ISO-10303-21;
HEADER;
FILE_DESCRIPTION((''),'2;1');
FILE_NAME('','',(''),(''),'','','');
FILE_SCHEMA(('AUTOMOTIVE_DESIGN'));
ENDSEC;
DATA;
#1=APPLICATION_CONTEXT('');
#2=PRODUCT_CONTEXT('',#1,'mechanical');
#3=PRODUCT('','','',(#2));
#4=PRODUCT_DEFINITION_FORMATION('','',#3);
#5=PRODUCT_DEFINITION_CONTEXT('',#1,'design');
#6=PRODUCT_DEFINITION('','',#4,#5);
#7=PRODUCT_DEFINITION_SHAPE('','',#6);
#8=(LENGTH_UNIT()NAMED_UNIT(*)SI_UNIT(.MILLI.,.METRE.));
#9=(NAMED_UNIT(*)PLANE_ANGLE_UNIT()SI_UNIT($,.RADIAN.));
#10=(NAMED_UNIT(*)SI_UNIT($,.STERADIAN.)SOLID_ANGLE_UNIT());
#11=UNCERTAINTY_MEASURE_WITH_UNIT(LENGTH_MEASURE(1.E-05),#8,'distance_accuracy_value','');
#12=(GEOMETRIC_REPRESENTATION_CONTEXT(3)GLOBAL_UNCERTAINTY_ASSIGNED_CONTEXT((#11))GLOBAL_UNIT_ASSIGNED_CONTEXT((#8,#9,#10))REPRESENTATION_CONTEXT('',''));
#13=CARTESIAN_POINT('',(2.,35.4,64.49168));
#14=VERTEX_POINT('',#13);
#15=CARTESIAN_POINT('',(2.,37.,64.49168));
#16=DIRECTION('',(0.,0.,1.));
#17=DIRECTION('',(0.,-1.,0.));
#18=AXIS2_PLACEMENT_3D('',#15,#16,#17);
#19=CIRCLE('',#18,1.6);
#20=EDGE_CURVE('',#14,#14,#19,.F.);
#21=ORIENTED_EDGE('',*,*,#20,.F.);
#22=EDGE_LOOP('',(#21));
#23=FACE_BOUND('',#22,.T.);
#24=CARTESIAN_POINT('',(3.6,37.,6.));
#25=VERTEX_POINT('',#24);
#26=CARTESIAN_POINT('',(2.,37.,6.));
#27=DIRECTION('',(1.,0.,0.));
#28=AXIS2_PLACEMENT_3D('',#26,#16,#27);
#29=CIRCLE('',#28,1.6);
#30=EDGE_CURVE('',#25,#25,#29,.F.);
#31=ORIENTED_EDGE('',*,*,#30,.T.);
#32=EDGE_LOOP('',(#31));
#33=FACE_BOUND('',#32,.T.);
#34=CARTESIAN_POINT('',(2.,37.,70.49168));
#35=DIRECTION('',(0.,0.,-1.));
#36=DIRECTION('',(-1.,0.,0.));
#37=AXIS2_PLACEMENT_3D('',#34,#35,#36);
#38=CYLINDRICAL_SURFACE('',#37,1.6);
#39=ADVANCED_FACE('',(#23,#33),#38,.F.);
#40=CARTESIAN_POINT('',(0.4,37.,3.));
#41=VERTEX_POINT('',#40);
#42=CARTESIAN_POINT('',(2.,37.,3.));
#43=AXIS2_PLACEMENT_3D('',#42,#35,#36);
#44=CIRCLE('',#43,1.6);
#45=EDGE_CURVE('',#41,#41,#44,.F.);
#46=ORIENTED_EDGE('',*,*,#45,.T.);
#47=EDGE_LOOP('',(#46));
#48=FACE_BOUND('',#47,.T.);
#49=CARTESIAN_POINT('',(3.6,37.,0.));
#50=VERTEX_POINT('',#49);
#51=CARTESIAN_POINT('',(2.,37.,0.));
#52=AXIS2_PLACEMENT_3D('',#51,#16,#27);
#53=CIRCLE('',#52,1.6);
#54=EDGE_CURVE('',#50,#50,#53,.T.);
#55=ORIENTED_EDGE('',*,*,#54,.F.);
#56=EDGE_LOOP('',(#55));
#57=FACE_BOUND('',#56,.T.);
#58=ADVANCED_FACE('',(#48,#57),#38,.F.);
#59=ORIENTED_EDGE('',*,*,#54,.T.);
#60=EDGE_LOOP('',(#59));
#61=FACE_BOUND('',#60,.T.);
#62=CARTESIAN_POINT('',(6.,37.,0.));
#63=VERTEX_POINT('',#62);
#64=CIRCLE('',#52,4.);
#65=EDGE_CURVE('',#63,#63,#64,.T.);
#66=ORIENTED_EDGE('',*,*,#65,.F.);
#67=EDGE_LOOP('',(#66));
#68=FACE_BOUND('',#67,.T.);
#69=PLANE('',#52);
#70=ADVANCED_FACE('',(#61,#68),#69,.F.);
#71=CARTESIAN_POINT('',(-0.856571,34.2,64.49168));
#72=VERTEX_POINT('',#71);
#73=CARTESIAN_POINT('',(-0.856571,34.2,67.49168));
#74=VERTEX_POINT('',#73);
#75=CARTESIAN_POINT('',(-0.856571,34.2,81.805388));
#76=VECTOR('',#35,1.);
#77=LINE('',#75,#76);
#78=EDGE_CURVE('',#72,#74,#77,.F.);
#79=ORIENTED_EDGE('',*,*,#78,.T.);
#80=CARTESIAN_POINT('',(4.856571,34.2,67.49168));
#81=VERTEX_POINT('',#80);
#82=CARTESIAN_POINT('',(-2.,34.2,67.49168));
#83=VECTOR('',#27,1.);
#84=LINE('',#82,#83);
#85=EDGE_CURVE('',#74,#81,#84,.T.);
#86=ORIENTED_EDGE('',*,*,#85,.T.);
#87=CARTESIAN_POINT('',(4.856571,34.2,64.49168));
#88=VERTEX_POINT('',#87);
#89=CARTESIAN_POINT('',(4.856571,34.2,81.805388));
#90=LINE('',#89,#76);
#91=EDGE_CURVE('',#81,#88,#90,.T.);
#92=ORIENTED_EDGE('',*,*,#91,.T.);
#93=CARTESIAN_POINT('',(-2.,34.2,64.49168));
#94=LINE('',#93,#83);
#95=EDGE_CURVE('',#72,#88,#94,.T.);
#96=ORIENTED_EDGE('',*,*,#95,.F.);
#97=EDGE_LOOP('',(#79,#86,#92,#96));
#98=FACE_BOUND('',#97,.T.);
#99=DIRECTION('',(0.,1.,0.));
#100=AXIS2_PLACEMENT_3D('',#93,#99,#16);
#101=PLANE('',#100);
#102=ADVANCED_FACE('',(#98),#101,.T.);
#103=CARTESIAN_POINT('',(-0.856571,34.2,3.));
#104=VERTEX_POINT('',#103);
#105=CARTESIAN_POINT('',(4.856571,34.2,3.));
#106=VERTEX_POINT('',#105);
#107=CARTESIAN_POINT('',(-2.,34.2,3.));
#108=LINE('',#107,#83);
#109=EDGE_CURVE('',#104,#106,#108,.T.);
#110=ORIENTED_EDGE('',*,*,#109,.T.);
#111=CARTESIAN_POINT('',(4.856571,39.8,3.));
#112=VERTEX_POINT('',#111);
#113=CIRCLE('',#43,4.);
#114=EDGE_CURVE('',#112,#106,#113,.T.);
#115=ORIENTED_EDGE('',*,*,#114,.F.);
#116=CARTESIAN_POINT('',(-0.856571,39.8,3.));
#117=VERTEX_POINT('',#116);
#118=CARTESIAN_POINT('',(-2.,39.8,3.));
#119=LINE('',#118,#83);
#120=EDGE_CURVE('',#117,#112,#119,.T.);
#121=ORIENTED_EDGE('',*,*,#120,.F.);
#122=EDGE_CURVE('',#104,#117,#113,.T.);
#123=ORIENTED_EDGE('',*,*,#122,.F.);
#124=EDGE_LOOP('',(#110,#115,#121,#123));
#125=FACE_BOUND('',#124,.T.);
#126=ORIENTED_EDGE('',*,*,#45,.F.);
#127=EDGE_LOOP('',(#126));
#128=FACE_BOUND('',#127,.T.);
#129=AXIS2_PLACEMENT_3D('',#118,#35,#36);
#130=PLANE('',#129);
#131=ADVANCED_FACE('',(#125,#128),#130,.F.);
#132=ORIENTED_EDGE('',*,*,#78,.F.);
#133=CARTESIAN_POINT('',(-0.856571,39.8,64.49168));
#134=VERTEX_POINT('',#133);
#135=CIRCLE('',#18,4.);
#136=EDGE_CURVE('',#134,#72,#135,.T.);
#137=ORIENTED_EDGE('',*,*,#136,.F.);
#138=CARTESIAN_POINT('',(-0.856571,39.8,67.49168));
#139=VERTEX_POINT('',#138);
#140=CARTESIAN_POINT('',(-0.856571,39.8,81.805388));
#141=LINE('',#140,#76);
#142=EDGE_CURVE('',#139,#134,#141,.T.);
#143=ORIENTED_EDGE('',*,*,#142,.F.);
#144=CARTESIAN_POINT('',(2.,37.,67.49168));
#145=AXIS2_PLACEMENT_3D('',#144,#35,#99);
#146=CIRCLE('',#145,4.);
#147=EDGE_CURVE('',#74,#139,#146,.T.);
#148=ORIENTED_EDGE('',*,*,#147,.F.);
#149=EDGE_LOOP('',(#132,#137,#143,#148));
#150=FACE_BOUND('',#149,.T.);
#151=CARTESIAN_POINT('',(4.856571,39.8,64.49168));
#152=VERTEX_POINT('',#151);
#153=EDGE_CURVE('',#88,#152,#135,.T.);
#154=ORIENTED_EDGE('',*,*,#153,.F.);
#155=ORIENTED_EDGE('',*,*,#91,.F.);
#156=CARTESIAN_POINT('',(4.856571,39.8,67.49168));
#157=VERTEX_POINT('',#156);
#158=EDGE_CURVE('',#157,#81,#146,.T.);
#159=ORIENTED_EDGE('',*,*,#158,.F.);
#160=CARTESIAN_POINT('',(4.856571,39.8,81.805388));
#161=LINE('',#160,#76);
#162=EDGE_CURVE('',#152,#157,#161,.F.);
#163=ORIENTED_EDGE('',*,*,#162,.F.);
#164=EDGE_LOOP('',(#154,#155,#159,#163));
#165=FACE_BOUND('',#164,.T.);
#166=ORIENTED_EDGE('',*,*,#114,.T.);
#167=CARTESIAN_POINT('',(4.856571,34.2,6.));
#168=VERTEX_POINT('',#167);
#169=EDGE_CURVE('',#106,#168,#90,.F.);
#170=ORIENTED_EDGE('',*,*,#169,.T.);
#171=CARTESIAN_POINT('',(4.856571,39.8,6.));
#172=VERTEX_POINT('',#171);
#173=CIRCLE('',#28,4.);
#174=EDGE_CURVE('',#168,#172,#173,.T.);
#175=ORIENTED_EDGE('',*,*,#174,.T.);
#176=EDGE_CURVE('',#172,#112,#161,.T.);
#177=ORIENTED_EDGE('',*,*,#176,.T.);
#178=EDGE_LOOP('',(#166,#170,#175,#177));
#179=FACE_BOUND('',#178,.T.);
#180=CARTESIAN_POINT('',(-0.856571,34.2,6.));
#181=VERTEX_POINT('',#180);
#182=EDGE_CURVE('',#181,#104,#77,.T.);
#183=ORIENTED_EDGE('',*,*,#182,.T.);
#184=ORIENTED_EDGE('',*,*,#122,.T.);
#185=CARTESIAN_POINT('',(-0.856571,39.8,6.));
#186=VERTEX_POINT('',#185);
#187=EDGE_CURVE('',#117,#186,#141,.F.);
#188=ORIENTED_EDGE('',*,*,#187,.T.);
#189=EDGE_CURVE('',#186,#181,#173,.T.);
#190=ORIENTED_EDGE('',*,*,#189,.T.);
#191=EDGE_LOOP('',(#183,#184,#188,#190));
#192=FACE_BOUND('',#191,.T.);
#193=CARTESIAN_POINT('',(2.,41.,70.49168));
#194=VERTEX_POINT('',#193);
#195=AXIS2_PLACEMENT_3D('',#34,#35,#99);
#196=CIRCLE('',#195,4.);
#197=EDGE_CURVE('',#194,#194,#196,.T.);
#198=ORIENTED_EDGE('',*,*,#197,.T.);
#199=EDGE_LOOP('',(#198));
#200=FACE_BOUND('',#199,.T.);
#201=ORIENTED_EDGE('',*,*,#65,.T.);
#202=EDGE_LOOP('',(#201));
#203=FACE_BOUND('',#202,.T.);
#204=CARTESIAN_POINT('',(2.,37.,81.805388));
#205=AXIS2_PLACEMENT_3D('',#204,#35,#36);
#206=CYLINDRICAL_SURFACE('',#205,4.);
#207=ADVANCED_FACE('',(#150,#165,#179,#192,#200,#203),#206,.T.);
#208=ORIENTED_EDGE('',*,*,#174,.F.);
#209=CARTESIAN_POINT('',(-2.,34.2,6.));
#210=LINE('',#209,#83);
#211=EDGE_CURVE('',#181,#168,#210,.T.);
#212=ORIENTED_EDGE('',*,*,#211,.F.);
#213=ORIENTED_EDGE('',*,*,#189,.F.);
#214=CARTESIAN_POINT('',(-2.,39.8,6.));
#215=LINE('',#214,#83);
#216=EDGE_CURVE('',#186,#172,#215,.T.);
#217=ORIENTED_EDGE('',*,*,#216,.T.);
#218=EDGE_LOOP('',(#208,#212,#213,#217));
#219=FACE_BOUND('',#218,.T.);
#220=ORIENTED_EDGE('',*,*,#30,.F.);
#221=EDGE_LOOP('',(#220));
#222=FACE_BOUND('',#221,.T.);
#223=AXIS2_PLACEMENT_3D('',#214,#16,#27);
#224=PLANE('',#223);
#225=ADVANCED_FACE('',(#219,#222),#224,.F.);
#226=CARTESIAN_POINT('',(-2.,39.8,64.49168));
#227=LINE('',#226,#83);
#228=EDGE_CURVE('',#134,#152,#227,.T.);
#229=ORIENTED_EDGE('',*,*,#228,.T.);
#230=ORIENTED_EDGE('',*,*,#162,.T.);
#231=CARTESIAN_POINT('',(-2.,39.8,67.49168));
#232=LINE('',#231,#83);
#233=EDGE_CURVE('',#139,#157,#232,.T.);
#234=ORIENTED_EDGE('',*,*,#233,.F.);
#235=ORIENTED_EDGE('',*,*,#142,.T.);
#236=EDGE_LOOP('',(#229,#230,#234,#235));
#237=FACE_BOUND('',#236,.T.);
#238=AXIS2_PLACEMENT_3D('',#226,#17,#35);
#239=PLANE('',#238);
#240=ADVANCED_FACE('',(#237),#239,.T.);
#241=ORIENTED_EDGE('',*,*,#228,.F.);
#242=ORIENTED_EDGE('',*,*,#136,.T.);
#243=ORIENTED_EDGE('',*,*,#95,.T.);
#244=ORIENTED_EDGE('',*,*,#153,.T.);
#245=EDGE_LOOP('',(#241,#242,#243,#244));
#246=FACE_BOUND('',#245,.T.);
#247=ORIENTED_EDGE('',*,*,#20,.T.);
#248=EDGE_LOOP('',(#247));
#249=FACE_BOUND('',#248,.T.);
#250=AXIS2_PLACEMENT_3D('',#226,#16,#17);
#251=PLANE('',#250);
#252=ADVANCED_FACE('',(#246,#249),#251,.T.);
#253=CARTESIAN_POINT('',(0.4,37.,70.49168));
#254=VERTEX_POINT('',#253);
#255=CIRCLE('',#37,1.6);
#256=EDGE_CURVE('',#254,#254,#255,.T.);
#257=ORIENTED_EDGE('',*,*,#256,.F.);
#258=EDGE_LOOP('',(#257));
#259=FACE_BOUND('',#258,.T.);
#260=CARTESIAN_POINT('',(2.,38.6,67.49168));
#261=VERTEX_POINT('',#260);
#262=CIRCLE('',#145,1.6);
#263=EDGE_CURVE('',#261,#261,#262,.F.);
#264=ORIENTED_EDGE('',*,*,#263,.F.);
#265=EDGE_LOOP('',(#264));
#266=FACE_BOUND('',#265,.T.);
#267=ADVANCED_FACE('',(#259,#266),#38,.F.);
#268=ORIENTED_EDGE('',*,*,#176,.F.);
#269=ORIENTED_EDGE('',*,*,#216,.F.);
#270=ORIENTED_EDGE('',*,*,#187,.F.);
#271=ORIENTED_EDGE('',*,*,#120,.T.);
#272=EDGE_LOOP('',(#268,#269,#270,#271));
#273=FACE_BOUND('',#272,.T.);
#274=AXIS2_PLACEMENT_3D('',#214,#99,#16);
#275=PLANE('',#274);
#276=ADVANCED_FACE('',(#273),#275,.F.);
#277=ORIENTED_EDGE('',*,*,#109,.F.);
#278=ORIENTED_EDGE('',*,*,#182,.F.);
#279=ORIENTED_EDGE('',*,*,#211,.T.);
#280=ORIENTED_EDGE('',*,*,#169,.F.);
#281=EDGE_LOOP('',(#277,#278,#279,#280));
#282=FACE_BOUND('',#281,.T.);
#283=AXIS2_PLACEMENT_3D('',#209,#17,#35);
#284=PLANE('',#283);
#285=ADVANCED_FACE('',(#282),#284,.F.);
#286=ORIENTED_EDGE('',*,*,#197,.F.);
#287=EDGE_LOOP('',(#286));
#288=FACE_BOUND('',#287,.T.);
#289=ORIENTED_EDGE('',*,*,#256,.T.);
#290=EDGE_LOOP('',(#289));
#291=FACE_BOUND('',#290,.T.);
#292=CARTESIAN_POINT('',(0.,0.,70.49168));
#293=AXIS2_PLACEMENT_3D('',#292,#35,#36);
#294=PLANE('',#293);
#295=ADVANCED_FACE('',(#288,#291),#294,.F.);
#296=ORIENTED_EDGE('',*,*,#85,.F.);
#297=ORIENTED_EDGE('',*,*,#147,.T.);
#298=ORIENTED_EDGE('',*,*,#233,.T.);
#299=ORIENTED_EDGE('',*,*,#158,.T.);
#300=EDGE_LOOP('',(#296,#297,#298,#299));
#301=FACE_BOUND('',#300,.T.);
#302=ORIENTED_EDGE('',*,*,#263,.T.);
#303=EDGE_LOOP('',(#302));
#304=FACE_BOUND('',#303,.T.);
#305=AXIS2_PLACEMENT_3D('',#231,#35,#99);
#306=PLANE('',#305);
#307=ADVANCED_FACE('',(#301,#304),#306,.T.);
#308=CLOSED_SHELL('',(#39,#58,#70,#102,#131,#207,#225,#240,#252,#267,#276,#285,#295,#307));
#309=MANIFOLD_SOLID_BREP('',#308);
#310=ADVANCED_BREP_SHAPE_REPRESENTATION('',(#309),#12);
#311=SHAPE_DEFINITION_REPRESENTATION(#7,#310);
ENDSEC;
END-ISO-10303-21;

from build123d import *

# Parameters (mm, degrees)
SKETCH_1_R               = 4
EXTRUDE_1_DEPTH          = 70.491679884
CUT_EXTRUDE_1_DEPTH      = 82.76843482
CUT_EXTRUDE_1_DEPTH_BACK = 82.76843482
SKETCH_2_R               = 1.6
CUT_EXTRUDE_START        = -82.76843482
SKETCH_3_W               = 3
SKETCH_3_H               = 5.6
CUT_EXTRUDE_2_DEPTH      = 150.536869639


with BuildPart() as part:
    # ｽｹｯﾁ1 → ﾎﾞｽ - 押し出し1 (new body)
    with BuildSketch(Plane.XY):
        with Locations(Location((2, 37, 0), (0, 0, 90))):
            Circle(SKETCH_1_R)
    extrude(amount=EXTRUDE_1_DEPTH)

    # ｽｹｯﾁ2 → ｶｯﾄ - 押し出し1 (cut, two sides: drawn at the far end of the back side and taken through both)
    with BuildSketch(Plane(origin=(0, 0, 0), x_dir=(-1, 0, 0), z_dir=(0, 0, -1)).offset(-CUT_EXTRUDE_1_DEPTH_BACK)):
        with Locations((-2, 37)):
            Circle(SKETCH_2_R)
    extrude(amount=CUT_EXTRUDE_1_DEPTH + CUT_EXTRUDE_1_DEPTH_BACK, mode=Mode.SUBTRACT)

    # ｽｹｯﾁ3 → ｶｯﾄ - 押し出し2 (cut)
    with BuildSketch(Plane(origin=(0, 0, 0), x_dir=(0, 0, -1), z_dir=(1, 0, 0)).offset(CUT_EXTRUDE_START)):
        with Locations((-4.5, 37)):
            Rectangle(SKETCH_3_W, SKETCH_3_H)
    cut_extrude_2 = extrude(amount=CUT_EXTRUDE_2_DEPTH, mode=Mode.SUBTRACT)

    # ﾐﾗｰ1: ｶｯﾄ - 押し出し2 across plane
    add(cut_extrude_2.mirror(Plane(origin=(0, 0, 35.245839942), x_dir=(1, 0, 0), z_dir=(0, 0, -1))), mode=Mode.SUBTRACT)


solid = part.part
